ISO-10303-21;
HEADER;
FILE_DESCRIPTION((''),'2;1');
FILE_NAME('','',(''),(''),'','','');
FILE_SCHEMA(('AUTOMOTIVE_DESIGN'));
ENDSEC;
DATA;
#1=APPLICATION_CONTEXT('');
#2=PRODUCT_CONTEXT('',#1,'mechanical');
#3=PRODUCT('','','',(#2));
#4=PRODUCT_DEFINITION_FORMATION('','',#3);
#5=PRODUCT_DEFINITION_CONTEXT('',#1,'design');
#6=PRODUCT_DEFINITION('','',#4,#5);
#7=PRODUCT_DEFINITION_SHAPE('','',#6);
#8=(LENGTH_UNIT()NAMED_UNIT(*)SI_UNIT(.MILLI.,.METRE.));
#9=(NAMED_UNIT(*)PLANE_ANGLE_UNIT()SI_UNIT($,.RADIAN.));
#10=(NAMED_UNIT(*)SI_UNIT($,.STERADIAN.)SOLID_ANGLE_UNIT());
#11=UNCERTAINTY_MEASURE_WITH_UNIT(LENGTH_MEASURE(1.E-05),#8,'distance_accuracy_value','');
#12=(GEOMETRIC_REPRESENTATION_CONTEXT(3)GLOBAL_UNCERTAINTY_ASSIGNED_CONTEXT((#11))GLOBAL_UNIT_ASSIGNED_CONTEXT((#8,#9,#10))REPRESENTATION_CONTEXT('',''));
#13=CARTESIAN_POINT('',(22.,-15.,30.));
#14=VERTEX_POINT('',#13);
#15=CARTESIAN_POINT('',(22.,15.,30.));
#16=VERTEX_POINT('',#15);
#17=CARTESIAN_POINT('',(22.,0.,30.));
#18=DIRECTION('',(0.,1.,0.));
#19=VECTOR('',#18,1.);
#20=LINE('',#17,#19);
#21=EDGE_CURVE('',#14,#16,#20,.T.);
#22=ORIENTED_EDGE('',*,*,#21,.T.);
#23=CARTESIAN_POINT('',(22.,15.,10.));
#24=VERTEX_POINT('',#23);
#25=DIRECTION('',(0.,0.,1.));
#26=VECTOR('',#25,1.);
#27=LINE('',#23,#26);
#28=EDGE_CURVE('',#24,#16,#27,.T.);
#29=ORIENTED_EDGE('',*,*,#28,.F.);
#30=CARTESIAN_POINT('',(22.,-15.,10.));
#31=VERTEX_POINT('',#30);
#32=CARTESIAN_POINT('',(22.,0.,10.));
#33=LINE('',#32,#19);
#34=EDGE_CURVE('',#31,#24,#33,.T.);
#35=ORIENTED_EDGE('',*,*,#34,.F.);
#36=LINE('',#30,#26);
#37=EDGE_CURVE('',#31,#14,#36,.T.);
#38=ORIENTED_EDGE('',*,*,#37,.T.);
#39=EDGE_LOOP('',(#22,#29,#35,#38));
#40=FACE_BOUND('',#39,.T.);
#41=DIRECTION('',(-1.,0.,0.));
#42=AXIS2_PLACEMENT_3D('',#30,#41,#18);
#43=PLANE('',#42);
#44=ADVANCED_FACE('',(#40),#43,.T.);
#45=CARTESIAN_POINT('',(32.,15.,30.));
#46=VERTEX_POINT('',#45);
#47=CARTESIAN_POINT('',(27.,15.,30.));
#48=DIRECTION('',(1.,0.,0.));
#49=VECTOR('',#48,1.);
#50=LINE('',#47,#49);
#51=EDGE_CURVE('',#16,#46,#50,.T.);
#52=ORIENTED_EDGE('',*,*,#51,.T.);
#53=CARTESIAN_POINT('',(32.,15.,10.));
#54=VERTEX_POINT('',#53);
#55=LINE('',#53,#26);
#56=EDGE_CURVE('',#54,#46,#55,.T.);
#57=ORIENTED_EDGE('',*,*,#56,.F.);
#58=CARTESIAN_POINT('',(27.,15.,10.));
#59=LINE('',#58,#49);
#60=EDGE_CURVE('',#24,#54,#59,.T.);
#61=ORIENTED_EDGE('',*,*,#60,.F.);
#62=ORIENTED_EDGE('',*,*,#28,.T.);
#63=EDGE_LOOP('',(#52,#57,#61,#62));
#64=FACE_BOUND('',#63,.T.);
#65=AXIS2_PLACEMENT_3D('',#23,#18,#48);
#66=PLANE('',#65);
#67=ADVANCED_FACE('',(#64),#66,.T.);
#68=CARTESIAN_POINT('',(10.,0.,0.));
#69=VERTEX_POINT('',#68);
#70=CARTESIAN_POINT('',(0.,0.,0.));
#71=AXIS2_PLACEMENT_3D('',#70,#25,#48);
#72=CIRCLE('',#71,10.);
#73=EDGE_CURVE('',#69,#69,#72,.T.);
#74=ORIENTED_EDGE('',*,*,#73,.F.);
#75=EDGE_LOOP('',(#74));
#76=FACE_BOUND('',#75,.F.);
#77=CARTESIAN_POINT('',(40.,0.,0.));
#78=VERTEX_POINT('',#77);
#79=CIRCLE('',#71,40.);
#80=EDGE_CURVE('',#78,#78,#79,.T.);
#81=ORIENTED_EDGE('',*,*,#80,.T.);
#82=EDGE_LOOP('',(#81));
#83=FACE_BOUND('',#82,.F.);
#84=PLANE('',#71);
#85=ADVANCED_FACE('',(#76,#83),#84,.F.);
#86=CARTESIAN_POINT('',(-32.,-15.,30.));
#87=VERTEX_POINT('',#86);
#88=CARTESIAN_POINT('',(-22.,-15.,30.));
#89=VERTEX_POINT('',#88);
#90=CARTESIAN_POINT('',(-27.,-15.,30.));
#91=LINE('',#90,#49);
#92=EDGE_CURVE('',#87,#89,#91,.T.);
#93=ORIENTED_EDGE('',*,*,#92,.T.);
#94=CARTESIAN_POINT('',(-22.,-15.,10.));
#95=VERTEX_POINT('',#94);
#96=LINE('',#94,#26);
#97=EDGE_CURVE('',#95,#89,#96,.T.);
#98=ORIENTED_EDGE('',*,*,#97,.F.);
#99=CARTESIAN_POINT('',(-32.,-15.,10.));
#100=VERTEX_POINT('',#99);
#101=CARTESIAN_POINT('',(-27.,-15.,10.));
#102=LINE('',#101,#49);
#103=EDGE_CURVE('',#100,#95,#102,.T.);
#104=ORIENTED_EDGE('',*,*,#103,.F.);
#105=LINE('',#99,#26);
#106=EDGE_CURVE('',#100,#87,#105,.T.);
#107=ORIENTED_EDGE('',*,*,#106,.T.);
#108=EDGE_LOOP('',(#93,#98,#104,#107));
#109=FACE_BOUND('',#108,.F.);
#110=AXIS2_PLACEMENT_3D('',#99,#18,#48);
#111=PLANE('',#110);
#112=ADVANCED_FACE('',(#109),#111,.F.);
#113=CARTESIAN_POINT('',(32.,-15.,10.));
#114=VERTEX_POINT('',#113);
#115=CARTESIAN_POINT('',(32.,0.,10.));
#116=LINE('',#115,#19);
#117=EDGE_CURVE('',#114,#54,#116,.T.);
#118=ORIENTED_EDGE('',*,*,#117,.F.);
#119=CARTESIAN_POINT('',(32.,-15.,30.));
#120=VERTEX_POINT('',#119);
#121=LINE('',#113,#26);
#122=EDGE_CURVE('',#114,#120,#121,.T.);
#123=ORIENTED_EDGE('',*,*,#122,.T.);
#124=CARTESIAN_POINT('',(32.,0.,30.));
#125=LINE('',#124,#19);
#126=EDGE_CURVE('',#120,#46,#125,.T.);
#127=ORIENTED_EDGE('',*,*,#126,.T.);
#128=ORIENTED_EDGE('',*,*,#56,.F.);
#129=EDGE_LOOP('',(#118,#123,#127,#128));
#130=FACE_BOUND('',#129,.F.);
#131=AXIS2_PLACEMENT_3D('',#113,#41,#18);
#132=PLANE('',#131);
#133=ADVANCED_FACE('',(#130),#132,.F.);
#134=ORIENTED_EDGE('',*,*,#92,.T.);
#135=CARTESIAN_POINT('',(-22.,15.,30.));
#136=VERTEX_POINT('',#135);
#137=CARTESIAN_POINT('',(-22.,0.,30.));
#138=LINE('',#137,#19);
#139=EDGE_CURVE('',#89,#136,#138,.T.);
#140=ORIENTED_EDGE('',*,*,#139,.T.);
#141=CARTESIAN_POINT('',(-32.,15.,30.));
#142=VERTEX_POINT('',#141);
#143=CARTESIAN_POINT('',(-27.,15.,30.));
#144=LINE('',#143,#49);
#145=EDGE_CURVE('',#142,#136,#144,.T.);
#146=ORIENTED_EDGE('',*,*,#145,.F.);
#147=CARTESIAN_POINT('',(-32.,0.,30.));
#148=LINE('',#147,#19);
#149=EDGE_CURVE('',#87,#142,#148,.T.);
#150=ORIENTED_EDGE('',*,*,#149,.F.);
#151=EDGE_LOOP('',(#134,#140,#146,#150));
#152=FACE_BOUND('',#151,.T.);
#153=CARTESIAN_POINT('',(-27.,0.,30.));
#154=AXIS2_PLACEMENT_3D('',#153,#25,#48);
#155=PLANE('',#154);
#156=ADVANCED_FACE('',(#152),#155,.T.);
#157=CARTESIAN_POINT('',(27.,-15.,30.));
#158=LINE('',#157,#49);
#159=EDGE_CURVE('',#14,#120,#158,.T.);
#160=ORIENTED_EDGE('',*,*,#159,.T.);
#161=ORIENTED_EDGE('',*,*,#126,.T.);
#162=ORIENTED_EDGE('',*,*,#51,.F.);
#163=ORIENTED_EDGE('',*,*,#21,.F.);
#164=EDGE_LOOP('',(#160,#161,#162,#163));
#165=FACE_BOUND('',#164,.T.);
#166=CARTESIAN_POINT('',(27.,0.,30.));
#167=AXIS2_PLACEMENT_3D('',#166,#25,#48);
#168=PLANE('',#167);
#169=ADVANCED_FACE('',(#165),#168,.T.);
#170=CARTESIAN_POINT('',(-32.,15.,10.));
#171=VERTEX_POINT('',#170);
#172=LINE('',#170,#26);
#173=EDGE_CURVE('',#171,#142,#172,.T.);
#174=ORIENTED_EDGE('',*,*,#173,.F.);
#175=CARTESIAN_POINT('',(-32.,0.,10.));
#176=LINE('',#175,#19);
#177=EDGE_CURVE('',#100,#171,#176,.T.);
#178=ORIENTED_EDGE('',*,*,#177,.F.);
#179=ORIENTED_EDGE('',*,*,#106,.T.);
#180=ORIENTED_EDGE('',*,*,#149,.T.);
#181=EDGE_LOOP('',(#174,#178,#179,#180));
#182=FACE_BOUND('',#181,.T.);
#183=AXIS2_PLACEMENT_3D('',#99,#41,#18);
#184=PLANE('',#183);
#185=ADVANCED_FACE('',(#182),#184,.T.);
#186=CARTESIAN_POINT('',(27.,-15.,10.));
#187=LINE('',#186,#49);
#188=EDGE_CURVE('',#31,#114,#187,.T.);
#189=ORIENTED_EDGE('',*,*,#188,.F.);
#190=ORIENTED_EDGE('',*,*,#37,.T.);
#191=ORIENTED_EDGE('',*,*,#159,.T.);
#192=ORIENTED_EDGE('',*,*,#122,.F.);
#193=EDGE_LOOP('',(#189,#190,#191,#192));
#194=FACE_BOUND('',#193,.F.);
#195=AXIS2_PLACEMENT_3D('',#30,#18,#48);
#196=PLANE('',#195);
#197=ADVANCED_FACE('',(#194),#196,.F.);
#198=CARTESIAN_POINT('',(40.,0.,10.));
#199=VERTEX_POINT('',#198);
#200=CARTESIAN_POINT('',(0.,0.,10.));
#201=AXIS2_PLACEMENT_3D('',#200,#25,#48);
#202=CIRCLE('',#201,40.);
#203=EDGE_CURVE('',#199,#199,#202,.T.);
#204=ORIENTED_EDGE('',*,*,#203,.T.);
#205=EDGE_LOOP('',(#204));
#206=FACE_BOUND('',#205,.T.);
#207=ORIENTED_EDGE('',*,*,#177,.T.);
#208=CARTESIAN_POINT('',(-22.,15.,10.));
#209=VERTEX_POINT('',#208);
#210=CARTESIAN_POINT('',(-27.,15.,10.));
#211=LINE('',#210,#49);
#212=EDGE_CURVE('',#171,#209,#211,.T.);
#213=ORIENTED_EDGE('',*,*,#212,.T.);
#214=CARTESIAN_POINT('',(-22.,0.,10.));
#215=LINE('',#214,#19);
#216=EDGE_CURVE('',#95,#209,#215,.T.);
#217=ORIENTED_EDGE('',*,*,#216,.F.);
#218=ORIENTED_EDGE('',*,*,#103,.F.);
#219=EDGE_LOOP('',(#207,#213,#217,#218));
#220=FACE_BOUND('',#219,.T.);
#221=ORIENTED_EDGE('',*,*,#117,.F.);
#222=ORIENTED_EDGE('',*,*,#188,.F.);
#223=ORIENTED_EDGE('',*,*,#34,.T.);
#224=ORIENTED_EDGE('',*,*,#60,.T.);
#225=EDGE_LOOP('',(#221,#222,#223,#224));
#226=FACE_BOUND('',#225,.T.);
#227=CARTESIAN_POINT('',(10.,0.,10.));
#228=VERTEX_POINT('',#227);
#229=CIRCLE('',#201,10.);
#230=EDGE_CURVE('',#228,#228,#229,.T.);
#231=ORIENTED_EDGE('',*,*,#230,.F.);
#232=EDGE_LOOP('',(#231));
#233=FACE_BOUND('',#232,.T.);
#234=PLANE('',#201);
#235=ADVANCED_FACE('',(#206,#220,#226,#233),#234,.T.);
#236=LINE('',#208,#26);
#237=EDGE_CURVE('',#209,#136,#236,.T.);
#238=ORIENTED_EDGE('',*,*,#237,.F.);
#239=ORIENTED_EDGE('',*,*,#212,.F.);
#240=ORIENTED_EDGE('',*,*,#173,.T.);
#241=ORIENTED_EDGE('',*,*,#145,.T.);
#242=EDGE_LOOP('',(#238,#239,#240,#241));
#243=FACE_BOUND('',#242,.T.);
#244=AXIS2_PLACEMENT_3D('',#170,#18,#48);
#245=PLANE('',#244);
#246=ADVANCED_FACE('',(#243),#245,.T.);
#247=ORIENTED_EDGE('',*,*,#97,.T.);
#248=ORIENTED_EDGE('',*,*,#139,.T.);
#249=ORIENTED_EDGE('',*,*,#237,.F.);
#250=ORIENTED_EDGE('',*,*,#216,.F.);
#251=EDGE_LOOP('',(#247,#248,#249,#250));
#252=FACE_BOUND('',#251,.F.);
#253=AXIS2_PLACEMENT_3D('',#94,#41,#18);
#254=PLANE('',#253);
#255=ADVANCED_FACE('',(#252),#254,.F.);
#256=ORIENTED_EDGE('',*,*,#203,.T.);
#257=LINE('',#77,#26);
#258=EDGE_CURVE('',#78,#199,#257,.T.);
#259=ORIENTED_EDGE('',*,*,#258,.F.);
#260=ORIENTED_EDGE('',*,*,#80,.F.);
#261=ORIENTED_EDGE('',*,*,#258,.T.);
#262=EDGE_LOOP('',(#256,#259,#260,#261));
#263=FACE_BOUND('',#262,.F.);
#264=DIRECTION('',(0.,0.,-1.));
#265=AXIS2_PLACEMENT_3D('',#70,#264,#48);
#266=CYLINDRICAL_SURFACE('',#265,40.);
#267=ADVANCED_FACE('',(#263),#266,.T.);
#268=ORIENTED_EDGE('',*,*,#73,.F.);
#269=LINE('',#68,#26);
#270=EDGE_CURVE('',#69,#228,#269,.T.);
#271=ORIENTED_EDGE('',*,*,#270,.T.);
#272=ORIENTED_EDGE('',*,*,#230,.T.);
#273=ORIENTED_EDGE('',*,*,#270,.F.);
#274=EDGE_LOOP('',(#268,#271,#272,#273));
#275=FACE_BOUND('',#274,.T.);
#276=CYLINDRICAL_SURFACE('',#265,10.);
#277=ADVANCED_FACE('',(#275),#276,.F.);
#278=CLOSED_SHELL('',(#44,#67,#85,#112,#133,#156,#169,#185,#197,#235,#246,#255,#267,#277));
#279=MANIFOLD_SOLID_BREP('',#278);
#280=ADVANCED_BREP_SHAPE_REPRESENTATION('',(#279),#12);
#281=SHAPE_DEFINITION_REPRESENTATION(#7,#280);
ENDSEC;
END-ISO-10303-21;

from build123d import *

# Parameters (mm, degrees)
SKETCH_R     = 40
SKETCH_R_2   = 10
PAD_DEPTH    = 10
SKETCH001_W  = 10
SKETCH001_H  = 30
PAD001_DEPTH = 20


with BuildPart() as part:
    # Sketch → Pad (new body)
    with BuildSketch(Plane.XY):
        Circle(SKETCH_R)
        Circle(SKETCH_R_2, mode=Mode.SUBTRACT)
    extrude(amount=PAD_DEPTH)

    # Sketch001 → Pad001 (new body)
    with BuildSketch(Plane.XY.offset(10)):
        with Locations((-27, 0)):
            Rectangle(SKETCH001_W, SKETCH001_H)
        with Locations((27, 0)):
            Rectangle(SKETCH001_W, SKETCH001_H)
    extrude(amount=PAD001_DEPTH)


solid = part.part
